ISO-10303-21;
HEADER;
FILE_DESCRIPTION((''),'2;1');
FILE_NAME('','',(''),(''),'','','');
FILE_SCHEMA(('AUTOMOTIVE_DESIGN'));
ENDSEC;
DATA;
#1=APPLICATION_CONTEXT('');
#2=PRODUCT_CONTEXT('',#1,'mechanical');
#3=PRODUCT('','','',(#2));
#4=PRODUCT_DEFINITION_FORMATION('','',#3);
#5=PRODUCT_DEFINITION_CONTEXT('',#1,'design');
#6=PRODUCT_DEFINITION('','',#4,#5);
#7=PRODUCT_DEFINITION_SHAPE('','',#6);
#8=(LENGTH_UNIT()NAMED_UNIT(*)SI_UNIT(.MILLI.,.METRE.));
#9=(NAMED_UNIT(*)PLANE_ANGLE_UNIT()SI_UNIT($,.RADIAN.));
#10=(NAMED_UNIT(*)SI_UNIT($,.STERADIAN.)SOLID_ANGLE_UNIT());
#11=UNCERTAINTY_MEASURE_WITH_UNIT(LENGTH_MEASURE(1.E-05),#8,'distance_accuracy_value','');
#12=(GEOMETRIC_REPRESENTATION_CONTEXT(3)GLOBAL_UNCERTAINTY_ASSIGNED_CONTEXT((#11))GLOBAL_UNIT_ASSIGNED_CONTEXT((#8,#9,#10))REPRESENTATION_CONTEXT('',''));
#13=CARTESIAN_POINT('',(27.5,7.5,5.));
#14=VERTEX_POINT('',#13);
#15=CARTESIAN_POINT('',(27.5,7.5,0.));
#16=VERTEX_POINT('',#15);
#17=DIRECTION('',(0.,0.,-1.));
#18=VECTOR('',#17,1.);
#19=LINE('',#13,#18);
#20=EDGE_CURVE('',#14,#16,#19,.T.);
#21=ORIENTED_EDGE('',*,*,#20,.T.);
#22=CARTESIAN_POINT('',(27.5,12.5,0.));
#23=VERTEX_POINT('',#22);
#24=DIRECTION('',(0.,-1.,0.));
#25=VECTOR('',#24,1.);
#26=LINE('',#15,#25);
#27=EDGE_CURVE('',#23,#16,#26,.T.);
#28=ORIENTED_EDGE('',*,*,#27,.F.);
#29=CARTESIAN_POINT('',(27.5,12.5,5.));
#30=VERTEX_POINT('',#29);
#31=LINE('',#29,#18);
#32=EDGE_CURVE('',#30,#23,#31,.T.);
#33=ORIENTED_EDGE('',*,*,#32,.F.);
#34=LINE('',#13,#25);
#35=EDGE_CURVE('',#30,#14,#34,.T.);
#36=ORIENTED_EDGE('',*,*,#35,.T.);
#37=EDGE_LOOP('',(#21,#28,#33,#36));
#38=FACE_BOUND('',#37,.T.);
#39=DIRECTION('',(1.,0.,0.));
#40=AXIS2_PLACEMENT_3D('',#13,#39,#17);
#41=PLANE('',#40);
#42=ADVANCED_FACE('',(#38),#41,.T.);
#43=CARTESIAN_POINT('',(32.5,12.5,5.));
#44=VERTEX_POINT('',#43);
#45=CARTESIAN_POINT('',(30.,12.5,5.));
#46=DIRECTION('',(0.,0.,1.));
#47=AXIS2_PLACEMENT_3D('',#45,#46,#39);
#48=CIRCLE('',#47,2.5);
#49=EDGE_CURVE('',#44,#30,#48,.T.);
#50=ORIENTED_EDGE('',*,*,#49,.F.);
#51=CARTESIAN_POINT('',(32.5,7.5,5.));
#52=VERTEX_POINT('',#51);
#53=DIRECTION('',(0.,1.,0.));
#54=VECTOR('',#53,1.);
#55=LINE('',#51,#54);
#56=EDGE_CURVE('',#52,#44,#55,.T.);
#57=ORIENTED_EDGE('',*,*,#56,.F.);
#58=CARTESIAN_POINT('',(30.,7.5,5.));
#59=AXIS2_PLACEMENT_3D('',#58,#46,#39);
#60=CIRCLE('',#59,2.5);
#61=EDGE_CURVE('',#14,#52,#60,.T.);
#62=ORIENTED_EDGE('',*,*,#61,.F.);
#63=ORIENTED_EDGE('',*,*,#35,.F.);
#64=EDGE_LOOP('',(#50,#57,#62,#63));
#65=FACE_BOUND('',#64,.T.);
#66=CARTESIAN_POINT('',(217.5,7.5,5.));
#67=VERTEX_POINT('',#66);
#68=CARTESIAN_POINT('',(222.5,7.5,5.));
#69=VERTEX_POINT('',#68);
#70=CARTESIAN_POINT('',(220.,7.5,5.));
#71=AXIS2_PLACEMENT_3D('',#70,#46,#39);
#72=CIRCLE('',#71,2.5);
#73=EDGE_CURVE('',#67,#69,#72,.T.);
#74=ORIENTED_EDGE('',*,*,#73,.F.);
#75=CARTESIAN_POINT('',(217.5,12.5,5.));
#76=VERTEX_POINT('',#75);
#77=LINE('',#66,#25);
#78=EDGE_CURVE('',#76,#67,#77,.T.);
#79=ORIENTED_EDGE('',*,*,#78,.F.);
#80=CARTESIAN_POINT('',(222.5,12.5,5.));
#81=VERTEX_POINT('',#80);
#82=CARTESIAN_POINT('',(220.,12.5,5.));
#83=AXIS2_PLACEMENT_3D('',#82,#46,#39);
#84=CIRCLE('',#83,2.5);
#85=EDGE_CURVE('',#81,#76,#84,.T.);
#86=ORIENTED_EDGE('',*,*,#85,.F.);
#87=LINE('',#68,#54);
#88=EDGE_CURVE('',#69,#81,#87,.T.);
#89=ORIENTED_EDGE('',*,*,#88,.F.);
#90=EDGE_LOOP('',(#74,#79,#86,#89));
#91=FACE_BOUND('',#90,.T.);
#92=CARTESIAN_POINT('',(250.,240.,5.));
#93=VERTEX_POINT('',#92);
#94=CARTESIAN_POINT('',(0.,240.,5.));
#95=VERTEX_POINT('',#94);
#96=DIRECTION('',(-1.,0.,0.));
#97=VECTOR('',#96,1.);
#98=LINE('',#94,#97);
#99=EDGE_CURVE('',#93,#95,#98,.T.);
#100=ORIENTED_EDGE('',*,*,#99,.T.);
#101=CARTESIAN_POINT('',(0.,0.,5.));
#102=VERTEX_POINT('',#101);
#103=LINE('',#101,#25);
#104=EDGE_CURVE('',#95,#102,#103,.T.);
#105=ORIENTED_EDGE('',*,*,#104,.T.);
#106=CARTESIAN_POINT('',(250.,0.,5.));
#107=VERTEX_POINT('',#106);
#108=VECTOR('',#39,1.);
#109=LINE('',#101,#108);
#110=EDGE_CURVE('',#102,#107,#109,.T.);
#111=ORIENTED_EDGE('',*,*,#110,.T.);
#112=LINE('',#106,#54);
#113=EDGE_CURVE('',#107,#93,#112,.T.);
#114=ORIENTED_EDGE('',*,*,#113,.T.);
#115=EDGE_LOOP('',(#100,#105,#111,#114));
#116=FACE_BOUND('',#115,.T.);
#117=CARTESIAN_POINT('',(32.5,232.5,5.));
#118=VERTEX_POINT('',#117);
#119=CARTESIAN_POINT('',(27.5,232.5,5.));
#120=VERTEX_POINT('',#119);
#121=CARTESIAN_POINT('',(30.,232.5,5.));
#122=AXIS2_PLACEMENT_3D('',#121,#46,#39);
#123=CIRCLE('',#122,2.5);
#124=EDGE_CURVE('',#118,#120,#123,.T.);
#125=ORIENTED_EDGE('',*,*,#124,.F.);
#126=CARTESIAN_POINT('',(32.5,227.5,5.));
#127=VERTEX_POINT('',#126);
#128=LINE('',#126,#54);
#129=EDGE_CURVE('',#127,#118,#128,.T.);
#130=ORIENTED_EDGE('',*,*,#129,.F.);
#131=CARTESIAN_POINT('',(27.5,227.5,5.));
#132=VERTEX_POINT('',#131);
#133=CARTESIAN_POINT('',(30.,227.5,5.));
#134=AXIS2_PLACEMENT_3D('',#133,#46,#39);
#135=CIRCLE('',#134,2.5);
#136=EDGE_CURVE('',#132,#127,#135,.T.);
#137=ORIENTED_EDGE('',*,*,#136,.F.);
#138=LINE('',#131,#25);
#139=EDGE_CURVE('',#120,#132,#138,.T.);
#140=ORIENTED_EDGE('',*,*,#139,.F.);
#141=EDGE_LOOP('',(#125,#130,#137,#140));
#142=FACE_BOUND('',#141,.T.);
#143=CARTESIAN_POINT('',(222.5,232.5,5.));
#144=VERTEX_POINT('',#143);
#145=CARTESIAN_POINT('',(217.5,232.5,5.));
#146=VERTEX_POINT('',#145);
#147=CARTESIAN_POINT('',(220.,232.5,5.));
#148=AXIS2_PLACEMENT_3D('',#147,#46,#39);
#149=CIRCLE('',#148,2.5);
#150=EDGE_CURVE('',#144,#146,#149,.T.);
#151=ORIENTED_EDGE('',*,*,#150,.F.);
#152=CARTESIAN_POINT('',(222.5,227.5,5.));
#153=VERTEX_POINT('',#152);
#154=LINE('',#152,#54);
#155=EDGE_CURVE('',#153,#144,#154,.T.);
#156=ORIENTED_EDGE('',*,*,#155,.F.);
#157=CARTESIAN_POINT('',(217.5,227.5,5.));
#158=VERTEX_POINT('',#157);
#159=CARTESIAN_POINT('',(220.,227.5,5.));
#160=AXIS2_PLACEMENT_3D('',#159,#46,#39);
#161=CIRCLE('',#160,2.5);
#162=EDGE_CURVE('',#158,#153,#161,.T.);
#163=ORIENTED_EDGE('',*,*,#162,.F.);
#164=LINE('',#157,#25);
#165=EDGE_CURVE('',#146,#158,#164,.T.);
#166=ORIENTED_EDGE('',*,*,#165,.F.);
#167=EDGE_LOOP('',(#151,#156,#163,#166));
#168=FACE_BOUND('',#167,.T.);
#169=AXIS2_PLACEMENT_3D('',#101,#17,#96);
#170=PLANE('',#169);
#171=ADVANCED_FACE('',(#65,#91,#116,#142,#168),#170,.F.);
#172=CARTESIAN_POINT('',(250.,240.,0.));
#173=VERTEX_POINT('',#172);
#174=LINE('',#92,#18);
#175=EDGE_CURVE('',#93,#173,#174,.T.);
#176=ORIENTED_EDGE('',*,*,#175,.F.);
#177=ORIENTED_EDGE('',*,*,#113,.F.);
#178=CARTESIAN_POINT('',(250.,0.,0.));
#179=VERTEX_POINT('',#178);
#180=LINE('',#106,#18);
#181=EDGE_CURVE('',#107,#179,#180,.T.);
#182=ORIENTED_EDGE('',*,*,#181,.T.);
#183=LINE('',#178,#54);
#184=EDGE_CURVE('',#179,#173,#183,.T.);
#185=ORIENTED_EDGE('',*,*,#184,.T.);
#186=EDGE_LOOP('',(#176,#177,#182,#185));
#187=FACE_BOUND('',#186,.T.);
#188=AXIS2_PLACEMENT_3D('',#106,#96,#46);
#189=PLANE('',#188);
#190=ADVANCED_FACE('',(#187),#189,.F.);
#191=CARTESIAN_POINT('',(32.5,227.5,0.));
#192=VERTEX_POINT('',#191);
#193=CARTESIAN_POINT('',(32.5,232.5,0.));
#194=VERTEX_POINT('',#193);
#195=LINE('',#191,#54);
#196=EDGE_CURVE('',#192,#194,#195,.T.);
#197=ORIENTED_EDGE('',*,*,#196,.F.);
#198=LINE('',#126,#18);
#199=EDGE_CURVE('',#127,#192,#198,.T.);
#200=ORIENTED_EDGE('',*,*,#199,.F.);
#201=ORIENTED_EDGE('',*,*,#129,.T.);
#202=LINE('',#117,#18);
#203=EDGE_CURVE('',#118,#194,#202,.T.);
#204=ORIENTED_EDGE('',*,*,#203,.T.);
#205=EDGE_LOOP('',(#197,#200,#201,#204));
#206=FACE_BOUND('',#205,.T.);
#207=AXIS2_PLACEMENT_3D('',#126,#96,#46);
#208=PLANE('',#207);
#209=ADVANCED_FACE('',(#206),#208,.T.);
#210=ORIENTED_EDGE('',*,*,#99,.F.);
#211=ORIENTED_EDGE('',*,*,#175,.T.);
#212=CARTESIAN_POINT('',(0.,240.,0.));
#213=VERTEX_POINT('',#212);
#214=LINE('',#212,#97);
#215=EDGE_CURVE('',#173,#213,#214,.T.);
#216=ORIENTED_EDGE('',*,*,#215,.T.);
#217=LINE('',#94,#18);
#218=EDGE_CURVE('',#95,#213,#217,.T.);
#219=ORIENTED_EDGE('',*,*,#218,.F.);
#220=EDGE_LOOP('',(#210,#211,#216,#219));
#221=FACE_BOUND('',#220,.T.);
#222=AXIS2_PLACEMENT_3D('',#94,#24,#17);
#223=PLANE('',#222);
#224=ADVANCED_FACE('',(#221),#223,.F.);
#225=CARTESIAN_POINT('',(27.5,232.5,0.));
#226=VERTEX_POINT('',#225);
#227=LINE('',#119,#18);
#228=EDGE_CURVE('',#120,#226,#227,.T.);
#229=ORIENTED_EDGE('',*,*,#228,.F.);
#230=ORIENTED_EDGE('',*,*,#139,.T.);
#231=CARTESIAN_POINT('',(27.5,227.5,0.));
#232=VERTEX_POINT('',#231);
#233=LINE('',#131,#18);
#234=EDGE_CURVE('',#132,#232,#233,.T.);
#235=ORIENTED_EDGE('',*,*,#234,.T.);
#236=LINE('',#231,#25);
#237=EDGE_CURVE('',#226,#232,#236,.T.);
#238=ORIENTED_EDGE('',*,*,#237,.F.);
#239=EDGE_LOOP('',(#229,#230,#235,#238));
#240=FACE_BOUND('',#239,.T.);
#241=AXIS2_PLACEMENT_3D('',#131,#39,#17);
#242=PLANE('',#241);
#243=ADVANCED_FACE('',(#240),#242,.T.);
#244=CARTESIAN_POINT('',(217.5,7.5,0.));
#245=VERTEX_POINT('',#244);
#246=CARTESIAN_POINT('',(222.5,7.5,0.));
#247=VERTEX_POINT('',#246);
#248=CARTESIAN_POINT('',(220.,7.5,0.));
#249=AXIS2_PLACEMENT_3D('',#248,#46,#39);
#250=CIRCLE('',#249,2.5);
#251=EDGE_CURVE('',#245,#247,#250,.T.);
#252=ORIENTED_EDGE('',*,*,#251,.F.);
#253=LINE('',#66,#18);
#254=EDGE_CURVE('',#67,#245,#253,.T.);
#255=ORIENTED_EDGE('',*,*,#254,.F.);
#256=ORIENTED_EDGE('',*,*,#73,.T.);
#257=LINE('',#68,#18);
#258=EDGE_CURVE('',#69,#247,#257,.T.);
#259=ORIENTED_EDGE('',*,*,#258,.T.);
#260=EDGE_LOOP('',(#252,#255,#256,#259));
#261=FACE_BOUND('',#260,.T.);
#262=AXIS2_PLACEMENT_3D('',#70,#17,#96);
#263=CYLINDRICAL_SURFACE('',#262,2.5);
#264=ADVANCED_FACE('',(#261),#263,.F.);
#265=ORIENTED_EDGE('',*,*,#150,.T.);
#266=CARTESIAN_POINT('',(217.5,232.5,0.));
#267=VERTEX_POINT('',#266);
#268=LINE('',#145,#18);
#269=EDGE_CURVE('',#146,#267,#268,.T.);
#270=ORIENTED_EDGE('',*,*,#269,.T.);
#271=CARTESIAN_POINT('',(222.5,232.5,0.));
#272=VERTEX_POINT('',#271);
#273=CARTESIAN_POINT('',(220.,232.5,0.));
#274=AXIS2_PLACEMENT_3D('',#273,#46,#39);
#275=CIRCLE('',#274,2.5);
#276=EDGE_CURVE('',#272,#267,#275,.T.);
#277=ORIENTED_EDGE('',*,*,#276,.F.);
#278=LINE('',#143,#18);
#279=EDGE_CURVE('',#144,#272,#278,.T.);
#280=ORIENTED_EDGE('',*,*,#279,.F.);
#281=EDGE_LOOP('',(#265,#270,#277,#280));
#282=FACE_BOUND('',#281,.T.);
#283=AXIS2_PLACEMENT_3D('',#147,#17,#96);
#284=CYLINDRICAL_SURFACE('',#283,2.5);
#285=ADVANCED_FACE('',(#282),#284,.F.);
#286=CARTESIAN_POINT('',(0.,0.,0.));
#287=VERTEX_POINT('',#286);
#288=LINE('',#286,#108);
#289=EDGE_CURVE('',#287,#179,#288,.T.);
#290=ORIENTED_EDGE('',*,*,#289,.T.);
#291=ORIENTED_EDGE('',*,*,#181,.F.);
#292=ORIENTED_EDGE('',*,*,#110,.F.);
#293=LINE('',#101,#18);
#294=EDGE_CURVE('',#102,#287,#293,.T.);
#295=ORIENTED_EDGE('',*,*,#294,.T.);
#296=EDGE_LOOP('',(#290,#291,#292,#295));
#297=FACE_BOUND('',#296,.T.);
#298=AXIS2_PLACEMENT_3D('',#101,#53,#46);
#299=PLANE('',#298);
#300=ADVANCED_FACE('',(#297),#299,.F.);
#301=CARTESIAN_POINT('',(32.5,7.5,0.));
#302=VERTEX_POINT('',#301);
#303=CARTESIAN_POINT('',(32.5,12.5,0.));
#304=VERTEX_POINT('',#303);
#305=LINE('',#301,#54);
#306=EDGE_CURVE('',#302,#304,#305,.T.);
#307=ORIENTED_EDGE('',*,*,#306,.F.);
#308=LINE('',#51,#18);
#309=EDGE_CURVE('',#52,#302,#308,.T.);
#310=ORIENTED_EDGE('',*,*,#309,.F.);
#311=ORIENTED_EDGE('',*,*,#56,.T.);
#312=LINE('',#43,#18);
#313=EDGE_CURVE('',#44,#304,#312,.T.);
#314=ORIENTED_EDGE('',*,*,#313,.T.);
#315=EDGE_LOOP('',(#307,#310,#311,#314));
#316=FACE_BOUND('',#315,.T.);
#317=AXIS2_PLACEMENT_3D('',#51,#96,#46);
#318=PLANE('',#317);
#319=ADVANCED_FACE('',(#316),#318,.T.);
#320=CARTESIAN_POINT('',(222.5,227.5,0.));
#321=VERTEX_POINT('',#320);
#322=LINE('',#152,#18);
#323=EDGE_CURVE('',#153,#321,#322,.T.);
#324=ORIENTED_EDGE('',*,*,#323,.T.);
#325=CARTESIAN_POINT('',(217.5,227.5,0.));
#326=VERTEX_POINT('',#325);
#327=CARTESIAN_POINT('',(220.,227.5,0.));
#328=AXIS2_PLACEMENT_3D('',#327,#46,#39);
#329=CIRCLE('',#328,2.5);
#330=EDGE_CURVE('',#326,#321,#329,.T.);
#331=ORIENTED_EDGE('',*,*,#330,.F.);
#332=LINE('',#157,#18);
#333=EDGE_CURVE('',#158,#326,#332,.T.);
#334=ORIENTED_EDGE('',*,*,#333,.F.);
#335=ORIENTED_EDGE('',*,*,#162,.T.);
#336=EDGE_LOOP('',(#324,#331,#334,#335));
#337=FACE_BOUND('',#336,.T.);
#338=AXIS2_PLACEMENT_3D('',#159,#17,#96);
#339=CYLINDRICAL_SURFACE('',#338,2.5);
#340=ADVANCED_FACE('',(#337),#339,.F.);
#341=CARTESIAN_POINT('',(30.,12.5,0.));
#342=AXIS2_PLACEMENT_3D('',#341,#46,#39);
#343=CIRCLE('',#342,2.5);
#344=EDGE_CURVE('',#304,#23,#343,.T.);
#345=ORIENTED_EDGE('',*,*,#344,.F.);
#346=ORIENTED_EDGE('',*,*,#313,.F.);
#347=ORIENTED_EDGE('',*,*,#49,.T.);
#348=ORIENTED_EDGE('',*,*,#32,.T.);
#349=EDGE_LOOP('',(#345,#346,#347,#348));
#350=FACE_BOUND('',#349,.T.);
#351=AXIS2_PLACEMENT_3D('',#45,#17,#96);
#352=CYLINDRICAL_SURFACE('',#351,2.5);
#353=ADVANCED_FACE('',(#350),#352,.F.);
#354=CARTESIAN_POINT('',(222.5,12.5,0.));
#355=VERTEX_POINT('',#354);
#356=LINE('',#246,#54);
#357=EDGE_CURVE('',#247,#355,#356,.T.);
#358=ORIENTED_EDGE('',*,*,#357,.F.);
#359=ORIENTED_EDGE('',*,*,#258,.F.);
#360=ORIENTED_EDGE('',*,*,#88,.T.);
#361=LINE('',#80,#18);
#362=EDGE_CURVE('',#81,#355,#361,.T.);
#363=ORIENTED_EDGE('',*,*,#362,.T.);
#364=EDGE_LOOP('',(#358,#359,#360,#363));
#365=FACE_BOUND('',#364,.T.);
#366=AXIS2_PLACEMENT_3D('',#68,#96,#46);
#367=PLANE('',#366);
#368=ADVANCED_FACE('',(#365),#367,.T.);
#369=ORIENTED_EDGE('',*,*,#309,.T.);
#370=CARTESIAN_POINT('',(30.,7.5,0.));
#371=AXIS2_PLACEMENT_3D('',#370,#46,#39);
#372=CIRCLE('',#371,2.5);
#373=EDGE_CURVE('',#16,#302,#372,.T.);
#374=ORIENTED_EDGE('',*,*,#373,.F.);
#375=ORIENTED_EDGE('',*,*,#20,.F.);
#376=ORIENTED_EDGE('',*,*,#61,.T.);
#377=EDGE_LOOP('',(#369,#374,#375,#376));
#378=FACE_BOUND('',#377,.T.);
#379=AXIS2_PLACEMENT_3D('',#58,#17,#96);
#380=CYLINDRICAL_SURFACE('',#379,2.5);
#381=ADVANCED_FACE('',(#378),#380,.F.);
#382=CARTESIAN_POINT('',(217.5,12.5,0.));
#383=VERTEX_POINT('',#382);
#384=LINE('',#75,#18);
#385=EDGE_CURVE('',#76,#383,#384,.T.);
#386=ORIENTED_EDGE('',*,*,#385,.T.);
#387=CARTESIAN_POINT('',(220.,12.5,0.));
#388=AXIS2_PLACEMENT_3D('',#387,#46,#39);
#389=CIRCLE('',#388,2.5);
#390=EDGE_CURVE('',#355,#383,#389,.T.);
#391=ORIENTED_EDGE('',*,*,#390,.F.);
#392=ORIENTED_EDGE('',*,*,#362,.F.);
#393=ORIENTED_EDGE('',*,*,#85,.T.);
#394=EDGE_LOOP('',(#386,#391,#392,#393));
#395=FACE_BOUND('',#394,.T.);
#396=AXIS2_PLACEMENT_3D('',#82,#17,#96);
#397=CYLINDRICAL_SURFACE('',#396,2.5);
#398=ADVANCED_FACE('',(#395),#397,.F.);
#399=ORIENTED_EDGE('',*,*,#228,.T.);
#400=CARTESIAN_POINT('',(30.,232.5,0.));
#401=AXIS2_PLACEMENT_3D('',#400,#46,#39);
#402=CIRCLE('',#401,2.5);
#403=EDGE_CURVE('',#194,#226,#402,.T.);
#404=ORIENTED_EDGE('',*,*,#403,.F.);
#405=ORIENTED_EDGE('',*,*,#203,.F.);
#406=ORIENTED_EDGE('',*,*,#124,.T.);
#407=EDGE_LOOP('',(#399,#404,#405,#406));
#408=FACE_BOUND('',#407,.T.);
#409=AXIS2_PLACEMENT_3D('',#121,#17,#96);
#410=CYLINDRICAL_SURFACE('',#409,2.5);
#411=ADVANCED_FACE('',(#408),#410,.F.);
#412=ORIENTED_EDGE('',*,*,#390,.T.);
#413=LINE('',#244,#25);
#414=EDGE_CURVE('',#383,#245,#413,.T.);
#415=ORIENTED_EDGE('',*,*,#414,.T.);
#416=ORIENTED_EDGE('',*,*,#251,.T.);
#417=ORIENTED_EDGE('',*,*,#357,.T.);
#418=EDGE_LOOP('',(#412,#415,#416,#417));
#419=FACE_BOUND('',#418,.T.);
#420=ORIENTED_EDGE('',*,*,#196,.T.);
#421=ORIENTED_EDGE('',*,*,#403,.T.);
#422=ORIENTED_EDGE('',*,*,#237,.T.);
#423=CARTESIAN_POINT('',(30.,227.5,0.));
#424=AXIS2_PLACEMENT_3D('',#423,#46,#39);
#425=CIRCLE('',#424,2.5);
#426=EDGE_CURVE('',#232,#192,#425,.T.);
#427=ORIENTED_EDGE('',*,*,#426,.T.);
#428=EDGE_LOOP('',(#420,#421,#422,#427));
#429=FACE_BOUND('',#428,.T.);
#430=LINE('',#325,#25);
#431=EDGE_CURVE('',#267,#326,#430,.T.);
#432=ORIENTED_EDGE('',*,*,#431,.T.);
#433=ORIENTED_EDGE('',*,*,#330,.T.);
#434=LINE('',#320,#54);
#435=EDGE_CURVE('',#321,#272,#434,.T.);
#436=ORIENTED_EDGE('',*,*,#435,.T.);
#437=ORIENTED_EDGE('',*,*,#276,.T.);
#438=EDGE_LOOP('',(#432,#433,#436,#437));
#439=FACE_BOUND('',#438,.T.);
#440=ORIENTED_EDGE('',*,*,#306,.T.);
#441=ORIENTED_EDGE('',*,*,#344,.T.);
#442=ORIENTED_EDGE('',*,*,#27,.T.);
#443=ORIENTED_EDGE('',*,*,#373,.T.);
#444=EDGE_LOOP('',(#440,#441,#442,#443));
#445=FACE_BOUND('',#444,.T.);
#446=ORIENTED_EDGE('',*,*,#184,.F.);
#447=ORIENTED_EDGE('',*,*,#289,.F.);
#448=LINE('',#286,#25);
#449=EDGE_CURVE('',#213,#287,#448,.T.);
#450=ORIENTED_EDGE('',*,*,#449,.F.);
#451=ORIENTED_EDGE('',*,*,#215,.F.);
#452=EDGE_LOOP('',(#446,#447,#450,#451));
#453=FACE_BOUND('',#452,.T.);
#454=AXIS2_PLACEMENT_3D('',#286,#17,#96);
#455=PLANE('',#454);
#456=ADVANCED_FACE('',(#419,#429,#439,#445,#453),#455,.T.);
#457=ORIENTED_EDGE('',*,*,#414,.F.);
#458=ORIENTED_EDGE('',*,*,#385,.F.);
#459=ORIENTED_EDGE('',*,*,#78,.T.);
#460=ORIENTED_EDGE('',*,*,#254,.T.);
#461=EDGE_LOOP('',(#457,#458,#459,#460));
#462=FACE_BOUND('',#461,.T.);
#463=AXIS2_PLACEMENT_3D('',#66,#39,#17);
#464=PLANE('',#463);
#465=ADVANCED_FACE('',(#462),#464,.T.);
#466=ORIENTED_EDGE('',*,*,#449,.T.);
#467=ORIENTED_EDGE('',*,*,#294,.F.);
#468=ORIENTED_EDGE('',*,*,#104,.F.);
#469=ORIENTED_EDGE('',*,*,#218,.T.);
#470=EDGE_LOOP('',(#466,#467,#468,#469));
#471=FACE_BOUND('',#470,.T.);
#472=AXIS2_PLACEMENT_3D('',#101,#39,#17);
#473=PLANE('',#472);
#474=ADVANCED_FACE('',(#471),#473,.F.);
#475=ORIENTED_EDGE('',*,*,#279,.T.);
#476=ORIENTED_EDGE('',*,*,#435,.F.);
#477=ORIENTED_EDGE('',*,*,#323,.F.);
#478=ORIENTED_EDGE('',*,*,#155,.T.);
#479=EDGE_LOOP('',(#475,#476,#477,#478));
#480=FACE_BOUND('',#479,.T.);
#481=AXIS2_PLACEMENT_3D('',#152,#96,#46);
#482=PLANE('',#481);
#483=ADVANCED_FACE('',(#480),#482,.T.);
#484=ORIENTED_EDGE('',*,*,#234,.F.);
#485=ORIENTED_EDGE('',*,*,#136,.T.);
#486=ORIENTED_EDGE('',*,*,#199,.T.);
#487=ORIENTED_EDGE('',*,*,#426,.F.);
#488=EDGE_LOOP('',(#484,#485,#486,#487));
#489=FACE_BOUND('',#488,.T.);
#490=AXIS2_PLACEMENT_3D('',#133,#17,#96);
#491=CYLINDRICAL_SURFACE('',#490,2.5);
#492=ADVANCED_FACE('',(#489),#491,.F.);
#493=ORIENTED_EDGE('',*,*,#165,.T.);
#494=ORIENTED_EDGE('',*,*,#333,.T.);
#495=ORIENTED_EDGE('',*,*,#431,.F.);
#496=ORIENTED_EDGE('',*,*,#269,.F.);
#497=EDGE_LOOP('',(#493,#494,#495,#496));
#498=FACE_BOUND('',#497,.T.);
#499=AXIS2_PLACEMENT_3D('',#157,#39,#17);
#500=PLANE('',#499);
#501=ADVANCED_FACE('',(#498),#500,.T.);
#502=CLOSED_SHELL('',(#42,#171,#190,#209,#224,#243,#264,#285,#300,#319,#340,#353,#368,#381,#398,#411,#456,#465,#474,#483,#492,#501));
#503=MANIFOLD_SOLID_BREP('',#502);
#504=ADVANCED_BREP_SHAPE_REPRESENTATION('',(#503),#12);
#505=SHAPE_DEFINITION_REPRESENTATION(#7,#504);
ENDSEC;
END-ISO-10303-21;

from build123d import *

# Parameters (mm, degrees)
ESQUISSE1_W                     = 250
ESQUISSE1_H                     = 240
BOSS_EXTRU_1_DEPTH              = 5
ENL_V_MAT_EXTRU_1_DEPTH         = 5
R_P_TITION_LIN_AIRE1_COUNT      = 2
R_P_TITION_LIN_AIRE1_PITCH      = 220
R_P_TITION_LIN_AIRE1_COUNT_DIR2 = 2
R_P_TITION_LIN_AIRE1_PITCH_DIR2 = 190


with BuildPart() as part:
    # Esquisse1 → Boss.-Extru.1 (new body)
    with BuildSketch(Plane.XY):
        with Locations((125, 120)):
            Rectangle(ESQUISSE1_W, ESQUISSE1_H)
    extrude(amount=BOSS_EXTRU_1_DEPTH)

    # Esquisse2 → Enlèv. mat.-Extru.1 (cut)
    with BuildSketch(Plane.XY):
        with BuildLine():
            Line((27.5, 7.5), (27.5, 12.5))
            ThreePointArc((27.5, 12.5), (30, 15), (32.5, 12.5))
            Line((32.5, 12.5), (32.5, 7.5))
            ThreePointArc((32.5, 7.5), (30, 5), (27.5, 7.5))
        make_face()
    enl_v_mat_extru_1 = extrude(amount=ENL_V_MAT_EXTRU_1_DEPTH, mode=Mode.SUBTRACT)

    # Répétition linéaire1: Enl_v. mat.-Extru.1 2 × 2
    with Locations(*[(j * R_P_TITION_LIN_AIRE1_PITCH_DIR2, i * R_P_TITION_LIN_AIRE1_PITCH, 0) for i in range(R_P_TITION_LIN_AIRE1_COUNT) for j in range(R_P_TITION_LIN_AIRE1_COUNT_DIR2) if (i, j) != (0, 0)]):
        add(enl_v_mat_extru_1, mode=Mode.SUBTRACT)


solid = part.part
